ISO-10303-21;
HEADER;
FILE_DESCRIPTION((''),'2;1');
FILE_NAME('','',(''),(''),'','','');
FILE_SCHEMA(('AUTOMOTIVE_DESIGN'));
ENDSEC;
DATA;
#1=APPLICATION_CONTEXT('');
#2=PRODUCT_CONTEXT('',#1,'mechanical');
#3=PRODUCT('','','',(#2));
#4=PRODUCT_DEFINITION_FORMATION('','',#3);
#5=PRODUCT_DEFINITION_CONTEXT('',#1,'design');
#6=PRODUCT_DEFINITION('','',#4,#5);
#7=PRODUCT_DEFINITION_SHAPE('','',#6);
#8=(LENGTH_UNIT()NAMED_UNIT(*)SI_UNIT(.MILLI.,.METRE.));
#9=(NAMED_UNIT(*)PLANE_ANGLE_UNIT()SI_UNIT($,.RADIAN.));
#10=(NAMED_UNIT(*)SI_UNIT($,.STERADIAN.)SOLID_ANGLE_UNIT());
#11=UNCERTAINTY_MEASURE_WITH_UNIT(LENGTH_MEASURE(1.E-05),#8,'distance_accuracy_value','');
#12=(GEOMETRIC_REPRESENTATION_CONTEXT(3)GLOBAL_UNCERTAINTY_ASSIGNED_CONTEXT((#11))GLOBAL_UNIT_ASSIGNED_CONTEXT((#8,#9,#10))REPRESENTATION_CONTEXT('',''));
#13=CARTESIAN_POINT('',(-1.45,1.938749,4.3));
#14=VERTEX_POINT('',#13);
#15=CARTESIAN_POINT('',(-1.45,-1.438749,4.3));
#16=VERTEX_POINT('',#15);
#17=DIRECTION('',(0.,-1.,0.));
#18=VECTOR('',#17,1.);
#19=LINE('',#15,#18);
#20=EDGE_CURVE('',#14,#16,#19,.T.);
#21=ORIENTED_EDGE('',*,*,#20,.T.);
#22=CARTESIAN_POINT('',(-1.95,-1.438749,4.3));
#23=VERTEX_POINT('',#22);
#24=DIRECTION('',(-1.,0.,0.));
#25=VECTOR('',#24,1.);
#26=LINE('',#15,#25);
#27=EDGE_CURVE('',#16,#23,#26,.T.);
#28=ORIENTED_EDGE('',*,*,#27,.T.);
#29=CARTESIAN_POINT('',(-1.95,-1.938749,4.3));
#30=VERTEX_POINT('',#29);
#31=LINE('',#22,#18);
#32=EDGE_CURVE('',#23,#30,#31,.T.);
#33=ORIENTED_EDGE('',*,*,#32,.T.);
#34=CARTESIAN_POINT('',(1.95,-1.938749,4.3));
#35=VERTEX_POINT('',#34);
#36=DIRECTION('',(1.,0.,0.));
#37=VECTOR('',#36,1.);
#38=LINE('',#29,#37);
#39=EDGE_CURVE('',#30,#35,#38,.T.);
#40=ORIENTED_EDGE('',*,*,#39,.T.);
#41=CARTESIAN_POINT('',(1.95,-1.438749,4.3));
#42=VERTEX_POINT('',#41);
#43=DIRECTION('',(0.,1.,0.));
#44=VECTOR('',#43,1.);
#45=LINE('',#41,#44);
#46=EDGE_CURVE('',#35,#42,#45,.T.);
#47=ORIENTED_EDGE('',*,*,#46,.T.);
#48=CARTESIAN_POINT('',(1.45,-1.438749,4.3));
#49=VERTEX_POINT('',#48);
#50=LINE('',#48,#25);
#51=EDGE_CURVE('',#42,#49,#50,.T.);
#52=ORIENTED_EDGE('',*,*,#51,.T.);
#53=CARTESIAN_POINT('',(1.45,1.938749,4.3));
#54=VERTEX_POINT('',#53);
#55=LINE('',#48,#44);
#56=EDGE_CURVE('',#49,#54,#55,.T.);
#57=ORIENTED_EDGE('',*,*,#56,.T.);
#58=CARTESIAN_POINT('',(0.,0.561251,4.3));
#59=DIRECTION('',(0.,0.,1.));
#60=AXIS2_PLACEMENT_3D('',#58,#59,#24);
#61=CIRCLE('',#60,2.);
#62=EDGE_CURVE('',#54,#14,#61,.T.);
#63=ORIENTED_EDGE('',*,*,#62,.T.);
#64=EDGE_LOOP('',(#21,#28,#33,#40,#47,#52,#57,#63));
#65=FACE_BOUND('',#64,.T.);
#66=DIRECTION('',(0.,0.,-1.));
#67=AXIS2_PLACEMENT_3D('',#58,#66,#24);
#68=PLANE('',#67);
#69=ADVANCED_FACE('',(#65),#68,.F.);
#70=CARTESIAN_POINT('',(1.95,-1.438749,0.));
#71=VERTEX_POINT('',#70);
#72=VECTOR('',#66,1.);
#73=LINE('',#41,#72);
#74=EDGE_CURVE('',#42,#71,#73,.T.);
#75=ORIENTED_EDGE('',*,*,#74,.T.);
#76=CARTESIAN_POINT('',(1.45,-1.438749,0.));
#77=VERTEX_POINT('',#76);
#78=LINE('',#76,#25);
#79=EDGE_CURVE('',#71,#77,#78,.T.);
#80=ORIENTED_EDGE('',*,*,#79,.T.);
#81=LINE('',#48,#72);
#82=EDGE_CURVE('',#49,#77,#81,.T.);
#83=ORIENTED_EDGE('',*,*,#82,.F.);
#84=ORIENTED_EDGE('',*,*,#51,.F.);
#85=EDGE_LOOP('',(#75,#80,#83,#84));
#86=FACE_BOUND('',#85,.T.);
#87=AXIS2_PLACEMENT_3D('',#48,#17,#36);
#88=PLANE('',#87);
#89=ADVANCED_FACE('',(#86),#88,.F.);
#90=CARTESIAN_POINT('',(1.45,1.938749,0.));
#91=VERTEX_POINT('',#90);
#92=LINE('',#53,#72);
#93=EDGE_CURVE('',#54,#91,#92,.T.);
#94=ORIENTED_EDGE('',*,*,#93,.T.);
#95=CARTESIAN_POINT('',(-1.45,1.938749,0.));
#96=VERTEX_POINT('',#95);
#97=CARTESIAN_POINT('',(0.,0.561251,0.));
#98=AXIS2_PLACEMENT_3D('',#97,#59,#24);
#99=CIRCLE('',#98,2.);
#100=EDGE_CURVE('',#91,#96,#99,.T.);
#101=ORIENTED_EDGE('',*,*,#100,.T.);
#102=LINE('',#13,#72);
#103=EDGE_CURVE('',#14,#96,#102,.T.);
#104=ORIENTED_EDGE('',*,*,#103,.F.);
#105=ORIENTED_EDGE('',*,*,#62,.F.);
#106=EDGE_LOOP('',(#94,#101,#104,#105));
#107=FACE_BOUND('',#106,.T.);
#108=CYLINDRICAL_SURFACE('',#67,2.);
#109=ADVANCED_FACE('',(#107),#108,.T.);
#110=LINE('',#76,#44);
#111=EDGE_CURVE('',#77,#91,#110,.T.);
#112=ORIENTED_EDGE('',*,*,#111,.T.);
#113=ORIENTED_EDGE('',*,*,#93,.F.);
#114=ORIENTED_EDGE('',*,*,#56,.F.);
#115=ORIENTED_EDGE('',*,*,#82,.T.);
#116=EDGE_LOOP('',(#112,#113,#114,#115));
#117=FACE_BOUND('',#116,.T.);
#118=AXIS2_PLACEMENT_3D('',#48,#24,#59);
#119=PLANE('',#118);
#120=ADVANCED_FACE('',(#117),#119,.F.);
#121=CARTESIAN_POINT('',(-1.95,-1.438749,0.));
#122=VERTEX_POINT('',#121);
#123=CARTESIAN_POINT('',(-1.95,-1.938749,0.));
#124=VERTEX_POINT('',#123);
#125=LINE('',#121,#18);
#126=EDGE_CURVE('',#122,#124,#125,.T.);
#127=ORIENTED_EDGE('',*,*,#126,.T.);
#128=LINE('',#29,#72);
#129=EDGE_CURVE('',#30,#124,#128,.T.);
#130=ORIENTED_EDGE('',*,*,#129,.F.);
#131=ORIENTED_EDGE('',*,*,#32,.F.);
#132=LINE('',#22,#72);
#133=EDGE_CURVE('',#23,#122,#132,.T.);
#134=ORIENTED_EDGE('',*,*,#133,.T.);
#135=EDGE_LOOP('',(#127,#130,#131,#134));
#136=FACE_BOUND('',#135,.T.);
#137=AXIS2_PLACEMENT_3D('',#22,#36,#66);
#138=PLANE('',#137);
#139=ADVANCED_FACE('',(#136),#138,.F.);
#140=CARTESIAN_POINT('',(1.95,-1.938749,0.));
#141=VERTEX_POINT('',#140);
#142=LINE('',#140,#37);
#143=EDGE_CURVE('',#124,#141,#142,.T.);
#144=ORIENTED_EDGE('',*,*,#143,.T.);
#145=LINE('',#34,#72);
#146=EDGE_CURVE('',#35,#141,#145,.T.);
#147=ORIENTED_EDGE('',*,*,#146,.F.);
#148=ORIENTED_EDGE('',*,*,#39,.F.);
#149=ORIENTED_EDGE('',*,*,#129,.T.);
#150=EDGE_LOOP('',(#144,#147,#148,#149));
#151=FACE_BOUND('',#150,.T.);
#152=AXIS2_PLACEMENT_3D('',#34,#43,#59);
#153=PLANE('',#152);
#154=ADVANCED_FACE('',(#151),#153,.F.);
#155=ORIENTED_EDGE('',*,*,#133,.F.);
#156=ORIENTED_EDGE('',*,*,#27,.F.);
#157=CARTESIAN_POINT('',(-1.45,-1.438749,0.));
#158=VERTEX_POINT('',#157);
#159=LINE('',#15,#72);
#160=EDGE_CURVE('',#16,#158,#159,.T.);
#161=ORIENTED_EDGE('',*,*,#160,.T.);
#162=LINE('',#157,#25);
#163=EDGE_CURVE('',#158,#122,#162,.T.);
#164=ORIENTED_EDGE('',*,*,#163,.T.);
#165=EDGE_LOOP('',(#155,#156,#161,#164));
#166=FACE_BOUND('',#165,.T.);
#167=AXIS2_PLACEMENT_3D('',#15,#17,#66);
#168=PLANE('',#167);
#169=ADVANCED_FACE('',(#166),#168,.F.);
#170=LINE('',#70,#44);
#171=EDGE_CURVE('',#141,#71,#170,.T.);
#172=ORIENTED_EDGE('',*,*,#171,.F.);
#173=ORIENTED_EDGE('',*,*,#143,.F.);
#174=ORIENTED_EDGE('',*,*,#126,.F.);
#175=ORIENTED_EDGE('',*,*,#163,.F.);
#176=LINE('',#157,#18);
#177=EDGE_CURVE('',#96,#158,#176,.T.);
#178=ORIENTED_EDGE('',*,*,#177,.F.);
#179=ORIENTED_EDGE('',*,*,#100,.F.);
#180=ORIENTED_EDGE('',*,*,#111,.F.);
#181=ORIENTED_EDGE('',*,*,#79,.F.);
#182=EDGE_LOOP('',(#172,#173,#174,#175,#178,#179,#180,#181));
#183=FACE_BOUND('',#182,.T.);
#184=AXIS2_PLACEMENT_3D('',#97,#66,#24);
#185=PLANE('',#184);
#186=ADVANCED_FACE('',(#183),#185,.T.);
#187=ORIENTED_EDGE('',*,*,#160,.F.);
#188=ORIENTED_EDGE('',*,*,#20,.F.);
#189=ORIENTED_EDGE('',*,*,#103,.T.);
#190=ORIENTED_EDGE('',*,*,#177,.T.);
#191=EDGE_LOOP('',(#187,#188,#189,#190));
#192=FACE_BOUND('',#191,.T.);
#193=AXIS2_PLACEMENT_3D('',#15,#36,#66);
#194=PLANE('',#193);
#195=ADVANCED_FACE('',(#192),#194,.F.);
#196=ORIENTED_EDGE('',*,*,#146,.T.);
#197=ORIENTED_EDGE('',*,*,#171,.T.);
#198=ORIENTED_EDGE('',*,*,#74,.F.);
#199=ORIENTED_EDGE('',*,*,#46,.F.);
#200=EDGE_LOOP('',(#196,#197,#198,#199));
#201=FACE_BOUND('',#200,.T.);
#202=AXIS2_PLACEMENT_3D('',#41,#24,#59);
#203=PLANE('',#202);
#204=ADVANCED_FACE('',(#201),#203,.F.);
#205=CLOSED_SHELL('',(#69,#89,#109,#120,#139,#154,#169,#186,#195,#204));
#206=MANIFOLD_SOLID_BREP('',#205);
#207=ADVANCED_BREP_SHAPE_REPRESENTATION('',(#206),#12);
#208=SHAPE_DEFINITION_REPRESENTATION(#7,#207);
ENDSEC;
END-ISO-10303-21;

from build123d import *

# Parameters (mm, degrees)
DODANIE_WYCI_GNI_CIE1_DEPTH = 4.3


with BuildPart() as part:
    # Szkic1 → Dodanie-wyciągnięcie1 (new body)
    with BuildSketch(Plane.XY):
        with BuildLine():
            Line((-1.45, -1.438748866), (-1.95, -1.438748866))
            Line((-1.95, -1.438748866), (-1.95, -1.938748866))
            Line((-1.95, -1.938748866), (-1.45, -1.938748866))
            Line((-1.45, -1.938748866), (1.45, -1.938748866))
            Line((1.45, -1.938748866), (1.95, -1.938748866))
            Line((1.95, -1.938748866), (1.95, -1.438748866))
            Line((1.95, -1.438748866), (1.45, -1.438748866))
            Line((1.45, -1.438748866), (1.45, 1.938748866))
            ThreePointArc((1.45, 1.938748866), (0, 2.561251134), (-1.45, 1.938748866))
            Line((-1.45, 1.938748866), (-1.45, -1.438748866))
        make_face()
    extrude(amount=DODANIE_WYCI_GNI_CIE1_DEPTH)


solid = part.part
